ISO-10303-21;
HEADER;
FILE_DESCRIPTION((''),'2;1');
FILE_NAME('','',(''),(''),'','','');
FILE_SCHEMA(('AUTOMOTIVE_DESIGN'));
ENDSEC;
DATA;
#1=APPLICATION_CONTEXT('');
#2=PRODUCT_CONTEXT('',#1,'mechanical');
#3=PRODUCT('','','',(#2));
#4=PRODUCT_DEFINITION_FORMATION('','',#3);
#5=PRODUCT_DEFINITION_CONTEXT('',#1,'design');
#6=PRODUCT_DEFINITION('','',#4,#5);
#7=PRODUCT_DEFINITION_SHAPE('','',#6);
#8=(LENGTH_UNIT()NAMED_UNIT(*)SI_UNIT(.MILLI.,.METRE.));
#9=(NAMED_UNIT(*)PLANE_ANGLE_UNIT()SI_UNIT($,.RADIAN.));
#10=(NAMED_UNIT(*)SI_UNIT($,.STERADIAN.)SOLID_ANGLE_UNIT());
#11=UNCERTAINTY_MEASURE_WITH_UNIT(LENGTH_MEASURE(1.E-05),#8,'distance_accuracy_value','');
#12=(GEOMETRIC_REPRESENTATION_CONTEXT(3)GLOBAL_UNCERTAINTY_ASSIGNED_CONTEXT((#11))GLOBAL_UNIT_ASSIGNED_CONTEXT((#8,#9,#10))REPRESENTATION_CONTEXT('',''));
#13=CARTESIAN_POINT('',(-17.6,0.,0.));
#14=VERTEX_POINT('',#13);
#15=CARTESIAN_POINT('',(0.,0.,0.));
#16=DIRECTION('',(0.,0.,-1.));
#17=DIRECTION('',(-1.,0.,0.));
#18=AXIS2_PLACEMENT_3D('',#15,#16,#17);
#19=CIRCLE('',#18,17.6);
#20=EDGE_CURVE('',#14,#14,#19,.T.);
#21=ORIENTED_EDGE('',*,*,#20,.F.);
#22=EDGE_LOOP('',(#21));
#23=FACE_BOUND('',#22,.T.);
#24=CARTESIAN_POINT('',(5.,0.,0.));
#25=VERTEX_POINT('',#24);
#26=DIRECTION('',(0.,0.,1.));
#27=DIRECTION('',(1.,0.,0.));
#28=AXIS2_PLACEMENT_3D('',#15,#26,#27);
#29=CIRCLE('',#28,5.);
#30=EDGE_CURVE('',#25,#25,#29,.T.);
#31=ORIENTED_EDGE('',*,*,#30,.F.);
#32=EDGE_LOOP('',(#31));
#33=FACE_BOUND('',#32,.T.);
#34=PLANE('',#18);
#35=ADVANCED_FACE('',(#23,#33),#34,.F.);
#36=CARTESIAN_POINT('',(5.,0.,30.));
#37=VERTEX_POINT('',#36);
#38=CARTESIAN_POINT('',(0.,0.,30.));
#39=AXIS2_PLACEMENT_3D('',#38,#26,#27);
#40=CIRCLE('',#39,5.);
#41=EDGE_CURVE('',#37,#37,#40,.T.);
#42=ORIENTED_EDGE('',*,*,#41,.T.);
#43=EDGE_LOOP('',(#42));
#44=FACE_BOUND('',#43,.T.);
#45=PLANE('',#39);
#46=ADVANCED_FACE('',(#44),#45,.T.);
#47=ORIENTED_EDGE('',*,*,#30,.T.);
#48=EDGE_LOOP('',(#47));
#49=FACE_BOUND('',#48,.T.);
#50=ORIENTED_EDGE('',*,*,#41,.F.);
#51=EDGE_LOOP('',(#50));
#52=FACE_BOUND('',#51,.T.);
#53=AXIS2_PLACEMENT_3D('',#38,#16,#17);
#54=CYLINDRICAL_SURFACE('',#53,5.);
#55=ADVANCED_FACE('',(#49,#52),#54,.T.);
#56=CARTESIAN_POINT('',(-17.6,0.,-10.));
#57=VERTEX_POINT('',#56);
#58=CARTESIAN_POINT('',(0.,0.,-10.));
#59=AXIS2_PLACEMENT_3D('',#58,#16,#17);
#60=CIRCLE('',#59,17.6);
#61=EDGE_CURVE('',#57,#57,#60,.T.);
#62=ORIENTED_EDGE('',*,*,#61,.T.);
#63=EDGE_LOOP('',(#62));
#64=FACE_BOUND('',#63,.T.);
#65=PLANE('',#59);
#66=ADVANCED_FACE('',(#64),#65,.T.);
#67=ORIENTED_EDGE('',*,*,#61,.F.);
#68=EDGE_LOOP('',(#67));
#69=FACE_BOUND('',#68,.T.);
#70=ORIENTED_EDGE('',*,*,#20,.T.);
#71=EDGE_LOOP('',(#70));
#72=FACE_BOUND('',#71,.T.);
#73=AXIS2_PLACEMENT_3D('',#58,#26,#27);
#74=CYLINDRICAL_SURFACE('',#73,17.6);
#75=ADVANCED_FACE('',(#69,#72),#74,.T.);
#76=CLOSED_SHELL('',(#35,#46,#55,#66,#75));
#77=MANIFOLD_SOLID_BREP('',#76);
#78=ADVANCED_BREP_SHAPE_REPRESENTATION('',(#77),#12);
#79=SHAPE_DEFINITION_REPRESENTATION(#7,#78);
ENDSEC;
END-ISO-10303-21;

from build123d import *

# Parameters (mm, degrees)
SKETCH1_R           = 5
BOSS_EXTRUDE1_DEPTH = 30
SKETCH2_R           = 17.6
BOSS_EXTRUDE2_DEPTH = 10


with BuildPart() as part:
    # Sketch1 → Boss-Extrude1 (new body)
    with BuildSketch(Plane.XY):
        Circle(SKETCH1_R)
    extrude(amount=BOSS_EXTRUDE1_DEPTH)

    # Sketch2 → Boss-Extrude2 (add)
    with BuildSketch(Plane(origin=(0, 0, 0), x_dir=(-1, 0, 0), z_dir=(0, 0, -1))):
        Circle(SKETCH2_R)
    extrude(amount=BOSS_EXTRUDE2_DEPTH)


solid = part.part
